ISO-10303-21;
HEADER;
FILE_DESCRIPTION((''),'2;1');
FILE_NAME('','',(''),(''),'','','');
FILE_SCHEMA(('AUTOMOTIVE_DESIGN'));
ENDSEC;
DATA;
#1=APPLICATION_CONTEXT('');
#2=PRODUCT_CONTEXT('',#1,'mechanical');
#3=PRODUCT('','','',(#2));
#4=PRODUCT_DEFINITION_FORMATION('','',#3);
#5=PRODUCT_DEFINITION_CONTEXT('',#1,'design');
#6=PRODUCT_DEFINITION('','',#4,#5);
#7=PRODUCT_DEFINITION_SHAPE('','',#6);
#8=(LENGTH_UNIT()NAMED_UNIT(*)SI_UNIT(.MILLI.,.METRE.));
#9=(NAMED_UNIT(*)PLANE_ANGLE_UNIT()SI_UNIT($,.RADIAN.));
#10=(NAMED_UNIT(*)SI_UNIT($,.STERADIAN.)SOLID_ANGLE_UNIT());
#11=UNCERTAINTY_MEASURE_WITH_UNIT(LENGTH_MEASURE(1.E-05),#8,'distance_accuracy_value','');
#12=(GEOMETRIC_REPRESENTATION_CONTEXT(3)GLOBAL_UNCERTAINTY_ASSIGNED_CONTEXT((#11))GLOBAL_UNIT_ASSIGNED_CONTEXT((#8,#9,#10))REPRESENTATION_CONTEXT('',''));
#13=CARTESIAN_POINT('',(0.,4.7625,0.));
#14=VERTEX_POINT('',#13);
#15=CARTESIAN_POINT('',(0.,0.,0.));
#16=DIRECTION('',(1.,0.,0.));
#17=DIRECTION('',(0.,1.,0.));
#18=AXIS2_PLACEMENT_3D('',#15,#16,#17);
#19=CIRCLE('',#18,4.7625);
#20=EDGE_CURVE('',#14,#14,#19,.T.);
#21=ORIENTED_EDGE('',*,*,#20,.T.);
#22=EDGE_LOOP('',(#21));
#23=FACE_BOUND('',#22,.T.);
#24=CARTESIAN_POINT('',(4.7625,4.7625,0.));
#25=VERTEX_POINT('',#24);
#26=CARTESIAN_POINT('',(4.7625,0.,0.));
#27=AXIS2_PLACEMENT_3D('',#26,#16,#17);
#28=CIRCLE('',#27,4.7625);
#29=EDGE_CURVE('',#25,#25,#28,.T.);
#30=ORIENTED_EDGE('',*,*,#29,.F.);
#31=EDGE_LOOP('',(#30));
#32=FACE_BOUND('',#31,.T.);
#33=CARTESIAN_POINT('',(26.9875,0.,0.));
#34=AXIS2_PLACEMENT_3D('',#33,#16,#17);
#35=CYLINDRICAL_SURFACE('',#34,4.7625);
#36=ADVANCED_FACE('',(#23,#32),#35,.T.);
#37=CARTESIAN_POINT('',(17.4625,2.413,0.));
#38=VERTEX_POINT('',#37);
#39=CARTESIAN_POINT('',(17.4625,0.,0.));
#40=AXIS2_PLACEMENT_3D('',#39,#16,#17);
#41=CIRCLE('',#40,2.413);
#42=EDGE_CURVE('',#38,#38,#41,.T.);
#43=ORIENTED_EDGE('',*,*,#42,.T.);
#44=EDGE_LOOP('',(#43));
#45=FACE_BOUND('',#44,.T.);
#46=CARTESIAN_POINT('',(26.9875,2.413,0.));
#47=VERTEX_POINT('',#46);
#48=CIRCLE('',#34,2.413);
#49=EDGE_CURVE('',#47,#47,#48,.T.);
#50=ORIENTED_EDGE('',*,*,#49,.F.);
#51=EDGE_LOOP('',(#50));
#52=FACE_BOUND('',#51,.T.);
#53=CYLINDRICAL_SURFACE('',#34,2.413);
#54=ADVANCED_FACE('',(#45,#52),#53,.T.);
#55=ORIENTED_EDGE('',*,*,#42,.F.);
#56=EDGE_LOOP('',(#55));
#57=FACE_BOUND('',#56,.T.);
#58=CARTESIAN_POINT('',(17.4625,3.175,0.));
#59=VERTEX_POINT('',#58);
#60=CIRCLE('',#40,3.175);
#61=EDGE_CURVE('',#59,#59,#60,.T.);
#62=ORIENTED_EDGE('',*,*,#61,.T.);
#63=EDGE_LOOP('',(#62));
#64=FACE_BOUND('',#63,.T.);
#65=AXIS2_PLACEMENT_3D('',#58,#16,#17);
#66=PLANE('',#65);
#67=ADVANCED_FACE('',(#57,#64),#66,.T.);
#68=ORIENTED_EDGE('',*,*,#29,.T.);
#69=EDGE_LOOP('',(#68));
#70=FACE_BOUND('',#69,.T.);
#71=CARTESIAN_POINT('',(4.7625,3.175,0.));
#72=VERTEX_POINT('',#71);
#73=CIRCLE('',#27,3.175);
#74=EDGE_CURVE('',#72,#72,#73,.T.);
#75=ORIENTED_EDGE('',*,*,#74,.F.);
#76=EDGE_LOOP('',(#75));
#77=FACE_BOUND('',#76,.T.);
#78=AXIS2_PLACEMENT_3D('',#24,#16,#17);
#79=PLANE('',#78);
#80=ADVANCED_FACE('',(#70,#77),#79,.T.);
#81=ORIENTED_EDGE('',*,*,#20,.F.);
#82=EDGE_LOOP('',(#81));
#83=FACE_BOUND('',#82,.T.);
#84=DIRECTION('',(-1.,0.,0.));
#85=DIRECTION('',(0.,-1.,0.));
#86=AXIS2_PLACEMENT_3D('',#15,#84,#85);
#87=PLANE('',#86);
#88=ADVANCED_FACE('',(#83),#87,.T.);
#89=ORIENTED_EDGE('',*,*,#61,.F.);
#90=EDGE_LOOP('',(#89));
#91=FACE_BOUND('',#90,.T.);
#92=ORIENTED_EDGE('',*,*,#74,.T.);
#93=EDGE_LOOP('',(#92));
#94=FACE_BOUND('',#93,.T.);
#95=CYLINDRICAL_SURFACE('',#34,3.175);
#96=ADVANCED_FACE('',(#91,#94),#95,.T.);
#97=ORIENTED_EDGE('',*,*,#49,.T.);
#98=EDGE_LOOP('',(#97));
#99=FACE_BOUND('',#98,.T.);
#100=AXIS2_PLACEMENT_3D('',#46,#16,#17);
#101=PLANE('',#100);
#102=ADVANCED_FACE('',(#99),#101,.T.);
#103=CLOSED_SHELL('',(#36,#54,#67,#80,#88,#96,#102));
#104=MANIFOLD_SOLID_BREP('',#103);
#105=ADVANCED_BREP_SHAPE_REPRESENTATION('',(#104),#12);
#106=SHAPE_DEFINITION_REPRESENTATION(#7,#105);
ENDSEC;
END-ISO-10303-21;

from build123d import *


with BuildPart() as part:
    # Sketch1 → Revolve1 (revolve)
    with BuildSketch(Plane.XY):
        Polygon((0, 4.7625), (4.7625, 4.7625), (4.7625, 3.175), (17.4625, 3.175), (17.4625, 2.413), (26.9875, 2.413), (26.9875, 0), (0, 0), align=None)
    revolve(axis=Axis((26.9875, 0, 0), (-1, 0, 0)))


solid = part.part
